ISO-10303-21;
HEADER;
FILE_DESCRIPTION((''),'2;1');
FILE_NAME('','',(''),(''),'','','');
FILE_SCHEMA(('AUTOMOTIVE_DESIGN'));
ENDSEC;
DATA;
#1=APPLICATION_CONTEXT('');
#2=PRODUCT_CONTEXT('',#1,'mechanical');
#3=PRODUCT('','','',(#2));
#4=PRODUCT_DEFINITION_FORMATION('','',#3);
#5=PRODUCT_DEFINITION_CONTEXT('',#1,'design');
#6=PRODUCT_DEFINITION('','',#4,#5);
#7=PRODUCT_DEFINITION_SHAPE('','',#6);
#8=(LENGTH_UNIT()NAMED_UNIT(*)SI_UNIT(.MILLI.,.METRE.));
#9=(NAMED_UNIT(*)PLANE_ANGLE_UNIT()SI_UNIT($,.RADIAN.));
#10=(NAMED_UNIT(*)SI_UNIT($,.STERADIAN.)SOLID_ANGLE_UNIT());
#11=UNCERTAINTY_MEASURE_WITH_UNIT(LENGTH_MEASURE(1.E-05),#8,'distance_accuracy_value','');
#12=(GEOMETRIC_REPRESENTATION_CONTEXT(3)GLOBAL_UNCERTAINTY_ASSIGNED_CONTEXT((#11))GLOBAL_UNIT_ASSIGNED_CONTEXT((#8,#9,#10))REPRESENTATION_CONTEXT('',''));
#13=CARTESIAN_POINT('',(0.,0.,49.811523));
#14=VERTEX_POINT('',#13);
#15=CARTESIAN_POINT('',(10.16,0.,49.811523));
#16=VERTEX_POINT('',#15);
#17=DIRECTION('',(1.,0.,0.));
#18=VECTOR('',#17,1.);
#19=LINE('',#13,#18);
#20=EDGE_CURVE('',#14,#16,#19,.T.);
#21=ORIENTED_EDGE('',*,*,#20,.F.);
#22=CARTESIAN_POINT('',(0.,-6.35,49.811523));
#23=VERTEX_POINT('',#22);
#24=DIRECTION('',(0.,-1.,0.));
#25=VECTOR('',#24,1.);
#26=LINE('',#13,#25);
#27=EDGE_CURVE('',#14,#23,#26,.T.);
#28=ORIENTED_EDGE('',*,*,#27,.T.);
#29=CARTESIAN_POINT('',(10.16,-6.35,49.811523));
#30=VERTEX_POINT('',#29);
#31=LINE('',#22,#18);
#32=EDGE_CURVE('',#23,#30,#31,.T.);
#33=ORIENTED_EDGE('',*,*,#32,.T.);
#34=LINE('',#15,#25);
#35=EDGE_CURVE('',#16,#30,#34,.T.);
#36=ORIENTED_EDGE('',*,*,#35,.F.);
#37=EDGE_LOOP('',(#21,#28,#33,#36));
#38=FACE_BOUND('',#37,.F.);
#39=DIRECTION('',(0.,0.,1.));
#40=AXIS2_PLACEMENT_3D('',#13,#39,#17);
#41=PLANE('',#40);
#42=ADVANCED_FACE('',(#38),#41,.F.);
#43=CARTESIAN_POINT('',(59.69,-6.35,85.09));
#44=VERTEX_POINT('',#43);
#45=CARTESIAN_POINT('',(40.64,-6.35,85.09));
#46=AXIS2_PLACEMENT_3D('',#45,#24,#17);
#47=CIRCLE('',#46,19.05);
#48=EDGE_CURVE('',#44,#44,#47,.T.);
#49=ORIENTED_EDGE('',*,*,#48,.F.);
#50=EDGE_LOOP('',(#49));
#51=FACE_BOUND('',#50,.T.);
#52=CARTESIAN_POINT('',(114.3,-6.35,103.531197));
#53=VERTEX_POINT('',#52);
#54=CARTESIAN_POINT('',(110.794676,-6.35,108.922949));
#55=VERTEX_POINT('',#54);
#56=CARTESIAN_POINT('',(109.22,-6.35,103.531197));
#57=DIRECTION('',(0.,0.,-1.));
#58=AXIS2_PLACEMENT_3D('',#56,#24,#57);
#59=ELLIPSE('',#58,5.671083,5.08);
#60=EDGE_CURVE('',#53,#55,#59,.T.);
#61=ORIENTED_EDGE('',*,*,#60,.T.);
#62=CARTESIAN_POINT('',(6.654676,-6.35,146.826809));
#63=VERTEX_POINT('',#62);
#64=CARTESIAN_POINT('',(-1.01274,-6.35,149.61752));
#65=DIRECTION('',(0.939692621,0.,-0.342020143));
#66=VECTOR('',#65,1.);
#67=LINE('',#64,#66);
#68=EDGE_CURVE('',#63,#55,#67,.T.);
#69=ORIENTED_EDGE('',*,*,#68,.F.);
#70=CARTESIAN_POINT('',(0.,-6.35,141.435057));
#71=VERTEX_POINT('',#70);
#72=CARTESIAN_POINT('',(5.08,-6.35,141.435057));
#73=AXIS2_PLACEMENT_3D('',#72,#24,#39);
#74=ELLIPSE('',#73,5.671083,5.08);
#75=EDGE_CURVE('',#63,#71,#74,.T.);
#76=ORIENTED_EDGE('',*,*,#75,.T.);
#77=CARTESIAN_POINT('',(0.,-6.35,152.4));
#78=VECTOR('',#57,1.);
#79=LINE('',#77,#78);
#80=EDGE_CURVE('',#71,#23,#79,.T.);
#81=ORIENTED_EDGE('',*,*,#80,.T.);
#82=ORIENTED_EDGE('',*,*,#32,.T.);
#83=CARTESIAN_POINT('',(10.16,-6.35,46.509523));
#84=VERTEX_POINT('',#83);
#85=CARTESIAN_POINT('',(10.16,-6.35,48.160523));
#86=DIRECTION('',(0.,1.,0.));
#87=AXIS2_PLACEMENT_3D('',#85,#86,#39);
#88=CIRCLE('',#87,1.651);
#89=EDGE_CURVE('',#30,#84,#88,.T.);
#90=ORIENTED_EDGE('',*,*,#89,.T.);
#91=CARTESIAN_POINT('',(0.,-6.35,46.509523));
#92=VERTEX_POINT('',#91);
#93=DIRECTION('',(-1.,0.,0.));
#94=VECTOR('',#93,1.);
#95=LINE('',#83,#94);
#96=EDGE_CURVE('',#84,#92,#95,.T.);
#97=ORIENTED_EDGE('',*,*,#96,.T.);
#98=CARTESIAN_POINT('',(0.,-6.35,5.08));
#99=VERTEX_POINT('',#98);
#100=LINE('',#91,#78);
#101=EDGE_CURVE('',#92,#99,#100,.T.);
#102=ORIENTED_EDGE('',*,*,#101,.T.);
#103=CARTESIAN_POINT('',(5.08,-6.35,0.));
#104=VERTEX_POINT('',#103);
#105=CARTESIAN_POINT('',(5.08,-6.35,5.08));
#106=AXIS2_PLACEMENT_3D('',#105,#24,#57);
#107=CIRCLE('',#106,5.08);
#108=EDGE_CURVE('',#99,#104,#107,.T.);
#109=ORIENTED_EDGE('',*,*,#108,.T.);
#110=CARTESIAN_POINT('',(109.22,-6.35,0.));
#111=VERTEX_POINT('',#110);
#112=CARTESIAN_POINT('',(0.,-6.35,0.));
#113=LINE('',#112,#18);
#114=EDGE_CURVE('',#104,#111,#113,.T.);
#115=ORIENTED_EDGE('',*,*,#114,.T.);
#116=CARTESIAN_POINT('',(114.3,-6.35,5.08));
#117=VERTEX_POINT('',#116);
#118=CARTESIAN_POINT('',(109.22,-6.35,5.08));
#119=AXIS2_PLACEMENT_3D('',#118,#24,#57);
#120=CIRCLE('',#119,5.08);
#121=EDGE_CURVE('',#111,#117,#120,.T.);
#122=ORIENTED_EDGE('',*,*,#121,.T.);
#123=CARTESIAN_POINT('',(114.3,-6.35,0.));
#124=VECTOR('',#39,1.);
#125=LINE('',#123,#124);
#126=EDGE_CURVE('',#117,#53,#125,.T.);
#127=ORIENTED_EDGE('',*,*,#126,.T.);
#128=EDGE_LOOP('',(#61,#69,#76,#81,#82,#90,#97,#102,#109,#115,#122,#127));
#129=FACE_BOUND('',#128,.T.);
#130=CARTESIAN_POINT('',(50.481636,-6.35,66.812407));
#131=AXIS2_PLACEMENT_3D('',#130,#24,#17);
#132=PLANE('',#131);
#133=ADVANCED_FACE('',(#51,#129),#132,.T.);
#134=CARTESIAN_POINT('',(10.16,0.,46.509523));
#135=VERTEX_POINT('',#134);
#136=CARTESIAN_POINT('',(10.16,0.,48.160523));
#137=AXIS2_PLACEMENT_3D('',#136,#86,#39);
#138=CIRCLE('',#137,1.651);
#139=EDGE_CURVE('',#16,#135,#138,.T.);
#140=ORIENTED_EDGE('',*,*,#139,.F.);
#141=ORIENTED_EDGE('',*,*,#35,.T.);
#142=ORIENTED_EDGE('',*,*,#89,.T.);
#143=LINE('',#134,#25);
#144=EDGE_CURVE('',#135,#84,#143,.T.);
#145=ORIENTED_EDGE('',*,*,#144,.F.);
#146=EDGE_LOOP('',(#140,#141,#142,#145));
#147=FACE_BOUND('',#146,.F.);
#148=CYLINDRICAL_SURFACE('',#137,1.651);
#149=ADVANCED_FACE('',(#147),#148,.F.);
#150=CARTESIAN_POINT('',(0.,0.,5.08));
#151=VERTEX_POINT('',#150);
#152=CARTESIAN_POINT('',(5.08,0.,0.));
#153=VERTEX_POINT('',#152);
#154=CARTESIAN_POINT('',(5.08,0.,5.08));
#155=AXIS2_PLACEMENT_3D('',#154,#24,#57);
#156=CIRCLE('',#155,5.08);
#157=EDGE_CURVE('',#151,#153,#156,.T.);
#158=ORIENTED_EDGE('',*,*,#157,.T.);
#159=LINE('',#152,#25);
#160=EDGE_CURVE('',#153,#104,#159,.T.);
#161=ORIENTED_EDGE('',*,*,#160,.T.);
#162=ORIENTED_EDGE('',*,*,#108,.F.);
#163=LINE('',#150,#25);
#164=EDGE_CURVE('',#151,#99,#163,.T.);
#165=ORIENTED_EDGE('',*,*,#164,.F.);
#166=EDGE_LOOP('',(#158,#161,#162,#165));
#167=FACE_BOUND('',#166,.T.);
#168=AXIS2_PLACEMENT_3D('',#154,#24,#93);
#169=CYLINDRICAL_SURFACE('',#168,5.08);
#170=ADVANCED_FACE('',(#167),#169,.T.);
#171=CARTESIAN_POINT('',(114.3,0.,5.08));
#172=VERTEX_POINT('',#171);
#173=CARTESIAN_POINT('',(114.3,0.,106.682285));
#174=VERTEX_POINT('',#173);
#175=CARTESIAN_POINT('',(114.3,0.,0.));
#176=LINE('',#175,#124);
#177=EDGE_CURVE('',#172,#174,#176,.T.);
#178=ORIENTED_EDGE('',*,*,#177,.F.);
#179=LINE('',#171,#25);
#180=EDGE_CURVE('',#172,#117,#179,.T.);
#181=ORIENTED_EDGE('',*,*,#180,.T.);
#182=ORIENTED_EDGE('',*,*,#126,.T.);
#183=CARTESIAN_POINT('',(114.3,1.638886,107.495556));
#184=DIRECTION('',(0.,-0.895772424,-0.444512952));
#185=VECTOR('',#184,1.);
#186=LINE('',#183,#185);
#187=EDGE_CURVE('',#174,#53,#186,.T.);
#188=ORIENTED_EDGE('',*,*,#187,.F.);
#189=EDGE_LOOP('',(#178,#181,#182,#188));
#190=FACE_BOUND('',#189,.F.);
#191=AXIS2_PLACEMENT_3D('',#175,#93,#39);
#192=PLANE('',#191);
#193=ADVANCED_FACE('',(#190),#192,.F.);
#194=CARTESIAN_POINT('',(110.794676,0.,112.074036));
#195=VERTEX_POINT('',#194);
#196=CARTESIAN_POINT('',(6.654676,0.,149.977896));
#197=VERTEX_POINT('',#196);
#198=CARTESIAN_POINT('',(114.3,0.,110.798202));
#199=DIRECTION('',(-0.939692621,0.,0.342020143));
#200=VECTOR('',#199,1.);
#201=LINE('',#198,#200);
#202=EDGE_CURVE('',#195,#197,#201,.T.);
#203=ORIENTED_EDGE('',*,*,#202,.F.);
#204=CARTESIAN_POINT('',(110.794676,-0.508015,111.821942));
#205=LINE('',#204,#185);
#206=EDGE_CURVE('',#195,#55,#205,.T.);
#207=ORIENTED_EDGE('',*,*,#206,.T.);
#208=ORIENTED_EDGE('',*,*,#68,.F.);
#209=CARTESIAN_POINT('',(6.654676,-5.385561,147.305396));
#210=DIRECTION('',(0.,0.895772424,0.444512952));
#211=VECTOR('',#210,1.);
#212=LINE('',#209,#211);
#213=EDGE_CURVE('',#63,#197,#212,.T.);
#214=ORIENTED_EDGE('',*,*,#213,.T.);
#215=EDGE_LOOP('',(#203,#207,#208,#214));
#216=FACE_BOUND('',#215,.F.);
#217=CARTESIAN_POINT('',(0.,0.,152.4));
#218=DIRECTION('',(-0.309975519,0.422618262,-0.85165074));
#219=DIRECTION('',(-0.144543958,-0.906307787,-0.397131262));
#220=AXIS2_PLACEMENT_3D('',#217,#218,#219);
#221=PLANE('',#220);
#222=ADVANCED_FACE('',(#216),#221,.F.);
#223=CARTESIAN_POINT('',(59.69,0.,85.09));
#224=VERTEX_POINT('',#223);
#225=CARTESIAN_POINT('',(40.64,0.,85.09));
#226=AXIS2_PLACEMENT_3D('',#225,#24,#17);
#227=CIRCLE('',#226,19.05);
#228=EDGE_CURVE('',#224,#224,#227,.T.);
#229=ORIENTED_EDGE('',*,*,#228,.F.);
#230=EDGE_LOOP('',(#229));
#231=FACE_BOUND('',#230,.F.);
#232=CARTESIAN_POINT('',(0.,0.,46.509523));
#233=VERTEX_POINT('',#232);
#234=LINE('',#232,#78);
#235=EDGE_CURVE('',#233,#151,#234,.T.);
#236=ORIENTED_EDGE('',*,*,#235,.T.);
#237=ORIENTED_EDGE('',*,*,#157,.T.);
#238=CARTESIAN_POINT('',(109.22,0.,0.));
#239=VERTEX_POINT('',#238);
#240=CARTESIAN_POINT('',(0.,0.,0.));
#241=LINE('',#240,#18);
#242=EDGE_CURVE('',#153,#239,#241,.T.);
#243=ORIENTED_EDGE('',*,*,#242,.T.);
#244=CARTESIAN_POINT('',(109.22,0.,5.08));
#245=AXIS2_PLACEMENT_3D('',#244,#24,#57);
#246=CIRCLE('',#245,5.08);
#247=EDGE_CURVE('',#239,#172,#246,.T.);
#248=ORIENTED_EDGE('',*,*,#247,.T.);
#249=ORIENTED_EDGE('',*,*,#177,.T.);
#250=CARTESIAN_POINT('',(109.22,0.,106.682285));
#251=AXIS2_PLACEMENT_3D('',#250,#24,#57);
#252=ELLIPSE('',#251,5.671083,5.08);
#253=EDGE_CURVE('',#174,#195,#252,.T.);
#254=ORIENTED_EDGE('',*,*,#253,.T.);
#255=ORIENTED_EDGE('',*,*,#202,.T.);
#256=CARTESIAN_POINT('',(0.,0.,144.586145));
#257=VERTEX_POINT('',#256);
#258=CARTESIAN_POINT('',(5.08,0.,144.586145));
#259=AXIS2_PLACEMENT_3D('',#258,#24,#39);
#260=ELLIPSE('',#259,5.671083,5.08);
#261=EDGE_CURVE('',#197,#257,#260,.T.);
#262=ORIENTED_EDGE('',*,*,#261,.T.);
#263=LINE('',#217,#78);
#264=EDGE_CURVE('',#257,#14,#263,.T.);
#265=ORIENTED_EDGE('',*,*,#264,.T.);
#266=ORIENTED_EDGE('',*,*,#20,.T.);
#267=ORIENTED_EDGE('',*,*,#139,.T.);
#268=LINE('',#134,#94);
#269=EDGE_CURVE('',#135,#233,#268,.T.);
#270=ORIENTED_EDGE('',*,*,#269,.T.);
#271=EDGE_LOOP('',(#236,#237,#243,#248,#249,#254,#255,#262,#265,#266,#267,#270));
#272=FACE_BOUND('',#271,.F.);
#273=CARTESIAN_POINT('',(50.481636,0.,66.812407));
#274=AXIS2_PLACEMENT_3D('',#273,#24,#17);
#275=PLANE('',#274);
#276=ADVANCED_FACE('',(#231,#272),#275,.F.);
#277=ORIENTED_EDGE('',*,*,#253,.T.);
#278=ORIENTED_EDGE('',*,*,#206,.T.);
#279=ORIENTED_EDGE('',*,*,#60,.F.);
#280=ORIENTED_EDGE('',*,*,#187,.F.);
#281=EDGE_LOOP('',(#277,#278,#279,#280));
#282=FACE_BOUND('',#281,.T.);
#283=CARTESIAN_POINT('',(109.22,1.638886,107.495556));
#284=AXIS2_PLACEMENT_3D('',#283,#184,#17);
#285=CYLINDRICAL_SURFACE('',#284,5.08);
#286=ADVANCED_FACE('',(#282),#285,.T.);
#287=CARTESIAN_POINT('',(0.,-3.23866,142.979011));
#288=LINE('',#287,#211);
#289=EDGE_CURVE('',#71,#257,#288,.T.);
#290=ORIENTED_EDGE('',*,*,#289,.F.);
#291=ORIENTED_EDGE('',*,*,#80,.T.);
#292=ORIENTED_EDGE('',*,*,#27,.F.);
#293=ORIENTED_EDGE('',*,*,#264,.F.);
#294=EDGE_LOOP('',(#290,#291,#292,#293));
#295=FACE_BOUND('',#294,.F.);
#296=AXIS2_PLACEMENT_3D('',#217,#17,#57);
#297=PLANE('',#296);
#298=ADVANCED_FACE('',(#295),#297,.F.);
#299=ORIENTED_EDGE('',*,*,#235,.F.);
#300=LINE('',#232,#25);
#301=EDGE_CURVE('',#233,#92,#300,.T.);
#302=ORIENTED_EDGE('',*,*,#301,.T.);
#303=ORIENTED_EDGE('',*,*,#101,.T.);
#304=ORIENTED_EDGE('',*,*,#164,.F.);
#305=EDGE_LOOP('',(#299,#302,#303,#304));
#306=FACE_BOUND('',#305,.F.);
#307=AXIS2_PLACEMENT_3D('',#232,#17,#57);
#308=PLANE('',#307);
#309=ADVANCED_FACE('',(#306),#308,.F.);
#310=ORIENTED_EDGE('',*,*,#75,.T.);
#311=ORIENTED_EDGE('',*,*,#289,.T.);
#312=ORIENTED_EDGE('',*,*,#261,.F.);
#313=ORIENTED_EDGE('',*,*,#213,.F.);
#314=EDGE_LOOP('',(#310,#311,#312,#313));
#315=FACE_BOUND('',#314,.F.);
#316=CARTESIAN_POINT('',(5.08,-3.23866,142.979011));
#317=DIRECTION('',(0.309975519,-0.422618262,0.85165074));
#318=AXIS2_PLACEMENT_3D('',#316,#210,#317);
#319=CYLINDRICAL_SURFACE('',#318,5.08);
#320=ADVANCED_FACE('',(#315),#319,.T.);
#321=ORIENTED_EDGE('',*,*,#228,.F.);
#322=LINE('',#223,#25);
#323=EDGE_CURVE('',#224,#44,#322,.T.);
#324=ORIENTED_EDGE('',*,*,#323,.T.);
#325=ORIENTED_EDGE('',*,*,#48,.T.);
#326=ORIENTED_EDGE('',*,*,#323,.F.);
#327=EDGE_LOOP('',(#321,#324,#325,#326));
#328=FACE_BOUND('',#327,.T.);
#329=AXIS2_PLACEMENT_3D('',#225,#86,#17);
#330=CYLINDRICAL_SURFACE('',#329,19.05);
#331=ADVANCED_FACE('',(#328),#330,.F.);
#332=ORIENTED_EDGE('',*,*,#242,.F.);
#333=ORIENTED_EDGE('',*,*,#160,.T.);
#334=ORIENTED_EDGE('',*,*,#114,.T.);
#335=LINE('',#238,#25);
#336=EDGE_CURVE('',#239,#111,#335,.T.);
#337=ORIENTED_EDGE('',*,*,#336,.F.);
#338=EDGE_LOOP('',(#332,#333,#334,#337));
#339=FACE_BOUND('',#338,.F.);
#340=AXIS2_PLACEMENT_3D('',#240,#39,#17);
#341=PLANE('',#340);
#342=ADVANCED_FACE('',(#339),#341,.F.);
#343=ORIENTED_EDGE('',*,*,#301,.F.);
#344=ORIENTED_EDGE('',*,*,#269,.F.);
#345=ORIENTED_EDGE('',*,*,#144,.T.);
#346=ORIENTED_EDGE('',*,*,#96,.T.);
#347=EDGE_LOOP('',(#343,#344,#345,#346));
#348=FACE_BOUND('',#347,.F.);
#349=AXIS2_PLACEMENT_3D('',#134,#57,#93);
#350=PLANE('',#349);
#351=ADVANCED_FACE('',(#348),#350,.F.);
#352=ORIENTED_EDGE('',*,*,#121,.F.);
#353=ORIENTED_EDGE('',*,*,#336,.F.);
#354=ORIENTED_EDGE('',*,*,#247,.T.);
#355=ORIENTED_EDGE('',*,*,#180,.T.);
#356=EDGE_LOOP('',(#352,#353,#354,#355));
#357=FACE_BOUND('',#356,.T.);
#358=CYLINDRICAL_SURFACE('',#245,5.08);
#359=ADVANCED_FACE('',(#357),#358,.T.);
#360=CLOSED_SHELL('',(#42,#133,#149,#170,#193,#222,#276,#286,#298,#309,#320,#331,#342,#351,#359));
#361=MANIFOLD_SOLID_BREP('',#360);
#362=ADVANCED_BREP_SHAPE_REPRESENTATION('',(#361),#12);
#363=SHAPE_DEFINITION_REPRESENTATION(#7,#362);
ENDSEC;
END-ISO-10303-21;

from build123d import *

# Parameters (mm, degrees)
F0_R     = 19.05
F1_DEPTH = 6.35
F4_DEPTH = 159.5317363987
F5_R     = 5.08


with BuildPart() as f1:
    # F0 (on Front) → F1 (new body)
    with BuildSketch(Plane.XZ):
        with BuildLine():
            Line((0, 46.5095229447), (0, 0))
            Line((0, 0), (114.3, 0))
            Line((114.3, 0), (114.3, 110.7982022234))
            Line((114.3, 110.7982022234), (0, 152.4))
            Line((0, 152.4), (0, 49.8115229447))
            Line((0, 49.8115229447), (10.16, 49.8115229447))
            ThreePointArc((10.16, 49.8115229447), (11.811, 48.1605229447), (10.16, 46.5095229447))
            Line((10.16, 46.5095229447), (0, 46.5095229447))
        make_face()
        with Locations((40.64, 85.09)):
            Circle(F0_R, mode=Mode.SUBTRACT)
    extrude(amount=F1_DEPTH)

    # F3 (on face) → F4 (cut, through all)
    with BuildSketch(Plane(origin=(-48.9804158581, 0, 17.8274134343), x_dir=(0, -1, 0), z_dir=(-0.9396926208, 0, 0.3420201433))):
        Polygon((6.35, 143.2091554078), (0, 143.2091554078), (6.35, 140.2481017785), align=None)
    extrude(amount=-F4_DEPTH, mode=Mode.SUBTRACT)

    # F5
    f5_edges = [f1.edges().sort_by_distance(p)[0] for p in [
        (0, -3.175, 150.824456),
        (114.3, -3.175, 109.222658),
        (114.3, -3.175, 0),
        (0, -3.175, 0),
    ]]
    fillet(f5_edges, radius=F5_R)


solid = f1.part
